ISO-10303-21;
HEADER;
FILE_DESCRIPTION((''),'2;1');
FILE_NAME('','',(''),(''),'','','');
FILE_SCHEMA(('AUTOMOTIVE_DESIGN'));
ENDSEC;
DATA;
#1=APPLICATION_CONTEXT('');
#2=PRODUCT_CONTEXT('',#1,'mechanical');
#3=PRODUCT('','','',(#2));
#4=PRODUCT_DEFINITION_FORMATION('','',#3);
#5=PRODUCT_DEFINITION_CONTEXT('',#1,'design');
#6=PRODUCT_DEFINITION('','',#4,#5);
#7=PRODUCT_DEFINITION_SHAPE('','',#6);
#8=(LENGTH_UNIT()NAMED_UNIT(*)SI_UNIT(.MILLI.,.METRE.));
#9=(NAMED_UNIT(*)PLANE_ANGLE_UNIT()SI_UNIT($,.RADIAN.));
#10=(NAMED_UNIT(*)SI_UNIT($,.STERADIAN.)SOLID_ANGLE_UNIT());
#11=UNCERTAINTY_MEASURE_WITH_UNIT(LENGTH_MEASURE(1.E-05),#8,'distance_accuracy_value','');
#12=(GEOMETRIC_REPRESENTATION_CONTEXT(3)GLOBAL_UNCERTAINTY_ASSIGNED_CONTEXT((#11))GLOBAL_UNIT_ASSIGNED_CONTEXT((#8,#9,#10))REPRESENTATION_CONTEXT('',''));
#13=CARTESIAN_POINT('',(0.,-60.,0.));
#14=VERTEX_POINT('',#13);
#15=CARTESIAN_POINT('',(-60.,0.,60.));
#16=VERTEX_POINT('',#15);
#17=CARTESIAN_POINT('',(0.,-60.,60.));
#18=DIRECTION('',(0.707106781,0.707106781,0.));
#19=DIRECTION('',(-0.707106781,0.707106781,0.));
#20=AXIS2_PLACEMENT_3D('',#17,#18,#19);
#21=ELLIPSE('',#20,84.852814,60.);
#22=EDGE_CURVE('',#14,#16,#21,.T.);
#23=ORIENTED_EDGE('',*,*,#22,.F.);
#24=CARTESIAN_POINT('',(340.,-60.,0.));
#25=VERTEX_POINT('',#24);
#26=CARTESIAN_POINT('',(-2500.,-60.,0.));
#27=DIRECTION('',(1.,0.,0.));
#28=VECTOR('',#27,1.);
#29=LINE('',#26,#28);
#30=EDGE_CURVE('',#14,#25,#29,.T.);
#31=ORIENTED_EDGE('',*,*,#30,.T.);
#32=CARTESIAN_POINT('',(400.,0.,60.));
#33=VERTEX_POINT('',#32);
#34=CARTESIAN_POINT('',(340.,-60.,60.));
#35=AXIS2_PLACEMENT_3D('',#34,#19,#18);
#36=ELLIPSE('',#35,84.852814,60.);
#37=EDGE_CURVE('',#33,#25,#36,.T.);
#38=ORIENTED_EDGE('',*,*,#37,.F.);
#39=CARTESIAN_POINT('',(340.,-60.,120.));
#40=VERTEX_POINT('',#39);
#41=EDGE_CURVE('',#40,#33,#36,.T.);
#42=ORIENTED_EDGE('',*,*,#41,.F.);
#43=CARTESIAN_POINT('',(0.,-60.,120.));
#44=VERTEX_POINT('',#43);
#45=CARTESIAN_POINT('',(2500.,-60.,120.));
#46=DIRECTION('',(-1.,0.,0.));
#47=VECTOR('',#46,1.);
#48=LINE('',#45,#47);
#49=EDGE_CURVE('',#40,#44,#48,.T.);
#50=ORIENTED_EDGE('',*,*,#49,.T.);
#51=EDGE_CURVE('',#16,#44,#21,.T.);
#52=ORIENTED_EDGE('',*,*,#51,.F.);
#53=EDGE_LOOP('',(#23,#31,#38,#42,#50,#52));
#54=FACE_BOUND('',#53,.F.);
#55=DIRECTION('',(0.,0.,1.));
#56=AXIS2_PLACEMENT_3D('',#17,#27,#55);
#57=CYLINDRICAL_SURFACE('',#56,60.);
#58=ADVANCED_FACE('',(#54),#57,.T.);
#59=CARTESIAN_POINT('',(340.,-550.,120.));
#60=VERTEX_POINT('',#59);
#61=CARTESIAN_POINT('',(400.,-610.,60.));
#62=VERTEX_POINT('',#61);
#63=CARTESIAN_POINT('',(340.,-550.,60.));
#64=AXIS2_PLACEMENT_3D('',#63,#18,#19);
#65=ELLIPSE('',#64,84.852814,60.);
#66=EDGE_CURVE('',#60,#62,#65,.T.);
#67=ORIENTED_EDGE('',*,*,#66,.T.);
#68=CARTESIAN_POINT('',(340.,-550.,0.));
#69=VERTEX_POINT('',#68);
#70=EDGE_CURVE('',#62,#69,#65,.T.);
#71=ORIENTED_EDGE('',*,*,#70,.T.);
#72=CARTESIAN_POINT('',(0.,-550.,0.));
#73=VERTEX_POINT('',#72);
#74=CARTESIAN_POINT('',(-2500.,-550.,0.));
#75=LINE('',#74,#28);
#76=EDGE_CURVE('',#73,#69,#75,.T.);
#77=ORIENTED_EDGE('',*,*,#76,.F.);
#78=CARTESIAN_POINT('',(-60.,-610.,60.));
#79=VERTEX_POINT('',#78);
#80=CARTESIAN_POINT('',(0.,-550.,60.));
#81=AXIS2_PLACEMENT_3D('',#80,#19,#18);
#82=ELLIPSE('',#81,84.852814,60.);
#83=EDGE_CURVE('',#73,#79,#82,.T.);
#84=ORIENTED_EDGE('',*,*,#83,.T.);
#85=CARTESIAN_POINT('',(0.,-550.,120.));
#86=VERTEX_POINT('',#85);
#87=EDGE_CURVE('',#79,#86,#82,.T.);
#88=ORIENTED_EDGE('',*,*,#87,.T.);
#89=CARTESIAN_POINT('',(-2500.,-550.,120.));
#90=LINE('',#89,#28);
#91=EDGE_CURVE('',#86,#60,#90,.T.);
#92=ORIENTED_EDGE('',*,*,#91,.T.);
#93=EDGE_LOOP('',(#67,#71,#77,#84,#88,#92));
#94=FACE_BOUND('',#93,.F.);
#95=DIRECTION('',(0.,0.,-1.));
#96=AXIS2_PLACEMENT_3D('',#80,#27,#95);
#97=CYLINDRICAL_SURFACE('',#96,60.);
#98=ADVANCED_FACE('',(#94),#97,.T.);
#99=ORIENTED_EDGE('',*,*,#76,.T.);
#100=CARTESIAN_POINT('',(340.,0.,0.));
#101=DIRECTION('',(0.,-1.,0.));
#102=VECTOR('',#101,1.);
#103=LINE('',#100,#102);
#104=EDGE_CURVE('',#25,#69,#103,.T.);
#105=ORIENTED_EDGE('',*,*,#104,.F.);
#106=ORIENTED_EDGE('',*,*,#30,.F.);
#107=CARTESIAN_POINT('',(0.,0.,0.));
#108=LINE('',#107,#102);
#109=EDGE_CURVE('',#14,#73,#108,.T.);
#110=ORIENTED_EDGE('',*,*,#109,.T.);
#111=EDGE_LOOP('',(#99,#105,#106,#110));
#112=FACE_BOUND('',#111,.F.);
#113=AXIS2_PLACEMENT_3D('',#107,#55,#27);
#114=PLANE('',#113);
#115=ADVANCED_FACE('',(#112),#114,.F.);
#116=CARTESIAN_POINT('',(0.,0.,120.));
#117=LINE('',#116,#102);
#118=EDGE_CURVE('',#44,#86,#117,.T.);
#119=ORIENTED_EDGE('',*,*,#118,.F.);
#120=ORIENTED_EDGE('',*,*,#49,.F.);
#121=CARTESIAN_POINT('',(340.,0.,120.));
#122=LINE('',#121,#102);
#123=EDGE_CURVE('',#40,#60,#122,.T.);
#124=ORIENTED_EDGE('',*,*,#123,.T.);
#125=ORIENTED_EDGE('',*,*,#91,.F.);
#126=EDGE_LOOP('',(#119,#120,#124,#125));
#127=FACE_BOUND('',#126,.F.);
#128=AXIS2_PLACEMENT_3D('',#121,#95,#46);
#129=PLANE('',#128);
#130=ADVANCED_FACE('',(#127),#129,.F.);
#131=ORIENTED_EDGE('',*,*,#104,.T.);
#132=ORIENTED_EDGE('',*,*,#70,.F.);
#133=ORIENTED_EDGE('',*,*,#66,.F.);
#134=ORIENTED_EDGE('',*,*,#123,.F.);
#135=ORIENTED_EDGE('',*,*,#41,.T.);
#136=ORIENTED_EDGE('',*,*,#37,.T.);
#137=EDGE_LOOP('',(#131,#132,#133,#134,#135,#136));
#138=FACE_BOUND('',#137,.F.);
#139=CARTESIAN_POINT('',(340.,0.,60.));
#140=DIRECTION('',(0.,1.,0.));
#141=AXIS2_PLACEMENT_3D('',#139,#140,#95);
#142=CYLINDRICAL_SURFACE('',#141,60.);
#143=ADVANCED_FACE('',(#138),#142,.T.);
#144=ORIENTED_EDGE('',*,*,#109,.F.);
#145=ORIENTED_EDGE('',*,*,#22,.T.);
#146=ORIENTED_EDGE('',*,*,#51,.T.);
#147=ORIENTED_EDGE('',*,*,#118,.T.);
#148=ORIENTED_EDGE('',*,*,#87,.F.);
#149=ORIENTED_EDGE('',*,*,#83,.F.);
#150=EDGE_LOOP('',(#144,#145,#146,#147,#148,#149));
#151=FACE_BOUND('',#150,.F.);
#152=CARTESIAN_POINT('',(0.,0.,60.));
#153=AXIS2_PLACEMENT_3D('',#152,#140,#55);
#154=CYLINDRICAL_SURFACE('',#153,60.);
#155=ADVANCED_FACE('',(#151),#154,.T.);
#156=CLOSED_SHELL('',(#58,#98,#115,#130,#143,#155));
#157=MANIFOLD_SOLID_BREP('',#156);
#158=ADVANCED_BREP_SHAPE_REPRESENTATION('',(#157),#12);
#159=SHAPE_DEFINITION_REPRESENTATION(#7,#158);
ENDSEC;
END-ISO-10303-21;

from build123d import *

# Parameters (mm, degrees)
F1_DEPTH = 610
F3_DEPTH = 2500


with BuildPart() as f1:
    # F0 (on Front) → F1 (new body)
    with BuildSketch(Plane.XZ):
        with BuildLine():
            ThreePointArc((0, 120), (-60, 60), (0, 0))
            Line((0, 0), (340, 0))
            ThreePointArc((340, 0), (400, 60), (340, 120))
            Line((340, 120), (0, 120))
        make_face()
    extrude(amount=F1_DEPTH)

    # F2 (on Right) → F3 (cut, symmetric)
    with BuildSketch(Plane.YZ):
        with BuildLine():
            ThreePointArc((-60, 120), (0, 60), (-60, 0))
            Line((-60, 0), (-61.062664, -34.820456))
            Line((-61.062664, -34.820456), (-511.019111, -48.782665))
            Line((-511.019111, -48.782665), (-550, 0))
            ThreePointArc((-550, 0), (-610, 60), (-550, 120))
            Line((-550, 120), (-550, 196.35497))
            Line((-550, 196.35497), (-774.3119, 196.35497))
            Line((-774.3119, 196.35497), (-774.3119, -111.258171))
            Line((-774.3119, -111.258171), (-538.922429, -111.258171))
            Line((-538.922429, -111.258171), (85.435808, -111.258171))
            Line((85.435808, -111.258171), (85.435808, 155.19315))
            Line((85.435808, 155.19315), (-27.929869, 197.026014))
            Line((-27.929869, 197.026014), (-60, 120))
        make_face()
    extrude(amount=F3_DEPTH, both=True, mode=Mode.SUBTRACT)


solid = f1.part
